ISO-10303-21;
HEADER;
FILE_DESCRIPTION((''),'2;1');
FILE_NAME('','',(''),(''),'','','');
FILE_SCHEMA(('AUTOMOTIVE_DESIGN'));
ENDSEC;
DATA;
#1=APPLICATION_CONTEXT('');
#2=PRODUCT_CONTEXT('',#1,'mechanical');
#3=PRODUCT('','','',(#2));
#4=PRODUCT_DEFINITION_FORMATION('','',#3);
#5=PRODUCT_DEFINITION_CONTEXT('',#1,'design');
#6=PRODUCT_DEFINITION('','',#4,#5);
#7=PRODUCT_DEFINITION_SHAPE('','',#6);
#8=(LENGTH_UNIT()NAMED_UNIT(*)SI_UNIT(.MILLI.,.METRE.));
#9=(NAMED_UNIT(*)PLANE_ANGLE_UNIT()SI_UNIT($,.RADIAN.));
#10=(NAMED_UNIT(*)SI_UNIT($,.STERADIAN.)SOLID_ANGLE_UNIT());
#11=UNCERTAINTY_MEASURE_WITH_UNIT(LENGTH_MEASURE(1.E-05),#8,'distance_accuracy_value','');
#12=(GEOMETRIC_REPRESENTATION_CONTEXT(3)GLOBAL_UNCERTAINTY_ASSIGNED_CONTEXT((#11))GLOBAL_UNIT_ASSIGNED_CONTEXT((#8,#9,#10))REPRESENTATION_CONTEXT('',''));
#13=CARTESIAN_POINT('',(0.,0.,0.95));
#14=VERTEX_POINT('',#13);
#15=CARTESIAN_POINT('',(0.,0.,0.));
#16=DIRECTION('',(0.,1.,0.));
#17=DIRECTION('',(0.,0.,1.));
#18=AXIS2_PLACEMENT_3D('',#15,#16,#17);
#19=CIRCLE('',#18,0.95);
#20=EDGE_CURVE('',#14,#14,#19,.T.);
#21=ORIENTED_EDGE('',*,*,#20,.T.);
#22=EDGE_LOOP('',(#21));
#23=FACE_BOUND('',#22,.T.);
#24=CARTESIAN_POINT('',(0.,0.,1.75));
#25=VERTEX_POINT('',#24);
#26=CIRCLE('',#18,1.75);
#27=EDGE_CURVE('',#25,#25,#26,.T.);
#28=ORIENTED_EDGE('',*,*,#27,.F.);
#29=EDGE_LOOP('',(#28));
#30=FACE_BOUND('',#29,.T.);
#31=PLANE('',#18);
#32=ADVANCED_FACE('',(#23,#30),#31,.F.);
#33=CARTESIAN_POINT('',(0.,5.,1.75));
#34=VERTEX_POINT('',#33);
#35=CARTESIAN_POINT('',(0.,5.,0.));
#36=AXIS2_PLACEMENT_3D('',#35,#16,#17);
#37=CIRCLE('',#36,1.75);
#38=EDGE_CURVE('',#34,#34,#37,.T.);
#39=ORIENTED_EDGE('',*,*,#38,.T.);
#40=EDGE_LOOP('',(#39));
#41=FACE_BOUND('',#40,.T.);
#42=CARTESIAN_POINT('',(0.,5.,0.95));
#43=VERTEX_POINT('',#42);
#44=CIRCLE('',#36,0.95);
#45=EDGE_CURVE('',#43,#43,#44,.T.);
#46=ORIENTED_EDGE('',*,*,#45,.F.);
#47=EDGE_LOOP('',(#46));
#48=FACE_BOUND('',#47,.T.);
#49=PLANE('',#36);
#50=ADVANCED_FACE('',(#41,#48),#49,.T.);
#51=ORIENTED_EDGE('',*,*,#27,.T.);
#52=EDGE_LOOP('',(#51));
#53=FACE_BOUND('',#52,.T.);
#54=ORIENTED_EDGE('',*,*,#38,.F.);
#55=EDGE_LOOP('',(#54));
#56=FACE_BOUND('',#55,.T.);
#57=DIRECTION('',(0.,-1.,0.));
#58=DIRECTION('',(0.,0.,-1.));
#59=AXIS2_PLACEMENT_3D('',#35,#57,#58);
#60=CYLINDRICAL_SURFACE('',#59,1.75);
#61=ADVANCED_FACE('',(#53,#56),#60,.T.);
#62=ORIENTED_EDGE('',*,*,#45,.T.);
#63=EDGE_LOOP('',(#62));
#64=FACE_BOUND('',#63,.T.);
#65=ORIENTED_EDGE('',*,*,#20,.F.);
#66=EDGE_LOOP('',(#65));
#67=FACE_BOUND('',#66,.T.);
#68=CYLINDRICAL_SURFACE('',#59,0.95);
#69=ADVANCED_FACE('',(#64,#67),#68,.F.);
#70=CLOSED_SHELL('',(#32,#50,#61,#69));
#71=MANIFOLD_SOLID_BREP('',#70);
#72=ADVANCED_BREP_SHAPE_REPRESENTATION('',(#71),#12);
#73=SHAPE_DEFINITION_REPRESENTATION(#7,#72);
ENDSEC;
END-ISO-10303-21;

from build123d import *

# Parameters (mm, degrees)
SKETCH1_R           = 1.75
SKETCH1_R_2         = 0.95
BOSS_EXTRUDE1_DEPTH = 5


with BuildPart() as part:
    # Sketch1 → Boss-Extrude1 (new body)
    with BuildSketch(Plane(origin=(0, 0, 0), x_dir=(1, 0, 0), z_dir=(0, 1, 0))):
        Circle(SKETCH1_R)
        Circle(SKETCH1_R_2, mode=Mode.SUBTRACT)
    extrude(amount=BOSS_EXTRUDE1_DEPTH)


solid = part.part
